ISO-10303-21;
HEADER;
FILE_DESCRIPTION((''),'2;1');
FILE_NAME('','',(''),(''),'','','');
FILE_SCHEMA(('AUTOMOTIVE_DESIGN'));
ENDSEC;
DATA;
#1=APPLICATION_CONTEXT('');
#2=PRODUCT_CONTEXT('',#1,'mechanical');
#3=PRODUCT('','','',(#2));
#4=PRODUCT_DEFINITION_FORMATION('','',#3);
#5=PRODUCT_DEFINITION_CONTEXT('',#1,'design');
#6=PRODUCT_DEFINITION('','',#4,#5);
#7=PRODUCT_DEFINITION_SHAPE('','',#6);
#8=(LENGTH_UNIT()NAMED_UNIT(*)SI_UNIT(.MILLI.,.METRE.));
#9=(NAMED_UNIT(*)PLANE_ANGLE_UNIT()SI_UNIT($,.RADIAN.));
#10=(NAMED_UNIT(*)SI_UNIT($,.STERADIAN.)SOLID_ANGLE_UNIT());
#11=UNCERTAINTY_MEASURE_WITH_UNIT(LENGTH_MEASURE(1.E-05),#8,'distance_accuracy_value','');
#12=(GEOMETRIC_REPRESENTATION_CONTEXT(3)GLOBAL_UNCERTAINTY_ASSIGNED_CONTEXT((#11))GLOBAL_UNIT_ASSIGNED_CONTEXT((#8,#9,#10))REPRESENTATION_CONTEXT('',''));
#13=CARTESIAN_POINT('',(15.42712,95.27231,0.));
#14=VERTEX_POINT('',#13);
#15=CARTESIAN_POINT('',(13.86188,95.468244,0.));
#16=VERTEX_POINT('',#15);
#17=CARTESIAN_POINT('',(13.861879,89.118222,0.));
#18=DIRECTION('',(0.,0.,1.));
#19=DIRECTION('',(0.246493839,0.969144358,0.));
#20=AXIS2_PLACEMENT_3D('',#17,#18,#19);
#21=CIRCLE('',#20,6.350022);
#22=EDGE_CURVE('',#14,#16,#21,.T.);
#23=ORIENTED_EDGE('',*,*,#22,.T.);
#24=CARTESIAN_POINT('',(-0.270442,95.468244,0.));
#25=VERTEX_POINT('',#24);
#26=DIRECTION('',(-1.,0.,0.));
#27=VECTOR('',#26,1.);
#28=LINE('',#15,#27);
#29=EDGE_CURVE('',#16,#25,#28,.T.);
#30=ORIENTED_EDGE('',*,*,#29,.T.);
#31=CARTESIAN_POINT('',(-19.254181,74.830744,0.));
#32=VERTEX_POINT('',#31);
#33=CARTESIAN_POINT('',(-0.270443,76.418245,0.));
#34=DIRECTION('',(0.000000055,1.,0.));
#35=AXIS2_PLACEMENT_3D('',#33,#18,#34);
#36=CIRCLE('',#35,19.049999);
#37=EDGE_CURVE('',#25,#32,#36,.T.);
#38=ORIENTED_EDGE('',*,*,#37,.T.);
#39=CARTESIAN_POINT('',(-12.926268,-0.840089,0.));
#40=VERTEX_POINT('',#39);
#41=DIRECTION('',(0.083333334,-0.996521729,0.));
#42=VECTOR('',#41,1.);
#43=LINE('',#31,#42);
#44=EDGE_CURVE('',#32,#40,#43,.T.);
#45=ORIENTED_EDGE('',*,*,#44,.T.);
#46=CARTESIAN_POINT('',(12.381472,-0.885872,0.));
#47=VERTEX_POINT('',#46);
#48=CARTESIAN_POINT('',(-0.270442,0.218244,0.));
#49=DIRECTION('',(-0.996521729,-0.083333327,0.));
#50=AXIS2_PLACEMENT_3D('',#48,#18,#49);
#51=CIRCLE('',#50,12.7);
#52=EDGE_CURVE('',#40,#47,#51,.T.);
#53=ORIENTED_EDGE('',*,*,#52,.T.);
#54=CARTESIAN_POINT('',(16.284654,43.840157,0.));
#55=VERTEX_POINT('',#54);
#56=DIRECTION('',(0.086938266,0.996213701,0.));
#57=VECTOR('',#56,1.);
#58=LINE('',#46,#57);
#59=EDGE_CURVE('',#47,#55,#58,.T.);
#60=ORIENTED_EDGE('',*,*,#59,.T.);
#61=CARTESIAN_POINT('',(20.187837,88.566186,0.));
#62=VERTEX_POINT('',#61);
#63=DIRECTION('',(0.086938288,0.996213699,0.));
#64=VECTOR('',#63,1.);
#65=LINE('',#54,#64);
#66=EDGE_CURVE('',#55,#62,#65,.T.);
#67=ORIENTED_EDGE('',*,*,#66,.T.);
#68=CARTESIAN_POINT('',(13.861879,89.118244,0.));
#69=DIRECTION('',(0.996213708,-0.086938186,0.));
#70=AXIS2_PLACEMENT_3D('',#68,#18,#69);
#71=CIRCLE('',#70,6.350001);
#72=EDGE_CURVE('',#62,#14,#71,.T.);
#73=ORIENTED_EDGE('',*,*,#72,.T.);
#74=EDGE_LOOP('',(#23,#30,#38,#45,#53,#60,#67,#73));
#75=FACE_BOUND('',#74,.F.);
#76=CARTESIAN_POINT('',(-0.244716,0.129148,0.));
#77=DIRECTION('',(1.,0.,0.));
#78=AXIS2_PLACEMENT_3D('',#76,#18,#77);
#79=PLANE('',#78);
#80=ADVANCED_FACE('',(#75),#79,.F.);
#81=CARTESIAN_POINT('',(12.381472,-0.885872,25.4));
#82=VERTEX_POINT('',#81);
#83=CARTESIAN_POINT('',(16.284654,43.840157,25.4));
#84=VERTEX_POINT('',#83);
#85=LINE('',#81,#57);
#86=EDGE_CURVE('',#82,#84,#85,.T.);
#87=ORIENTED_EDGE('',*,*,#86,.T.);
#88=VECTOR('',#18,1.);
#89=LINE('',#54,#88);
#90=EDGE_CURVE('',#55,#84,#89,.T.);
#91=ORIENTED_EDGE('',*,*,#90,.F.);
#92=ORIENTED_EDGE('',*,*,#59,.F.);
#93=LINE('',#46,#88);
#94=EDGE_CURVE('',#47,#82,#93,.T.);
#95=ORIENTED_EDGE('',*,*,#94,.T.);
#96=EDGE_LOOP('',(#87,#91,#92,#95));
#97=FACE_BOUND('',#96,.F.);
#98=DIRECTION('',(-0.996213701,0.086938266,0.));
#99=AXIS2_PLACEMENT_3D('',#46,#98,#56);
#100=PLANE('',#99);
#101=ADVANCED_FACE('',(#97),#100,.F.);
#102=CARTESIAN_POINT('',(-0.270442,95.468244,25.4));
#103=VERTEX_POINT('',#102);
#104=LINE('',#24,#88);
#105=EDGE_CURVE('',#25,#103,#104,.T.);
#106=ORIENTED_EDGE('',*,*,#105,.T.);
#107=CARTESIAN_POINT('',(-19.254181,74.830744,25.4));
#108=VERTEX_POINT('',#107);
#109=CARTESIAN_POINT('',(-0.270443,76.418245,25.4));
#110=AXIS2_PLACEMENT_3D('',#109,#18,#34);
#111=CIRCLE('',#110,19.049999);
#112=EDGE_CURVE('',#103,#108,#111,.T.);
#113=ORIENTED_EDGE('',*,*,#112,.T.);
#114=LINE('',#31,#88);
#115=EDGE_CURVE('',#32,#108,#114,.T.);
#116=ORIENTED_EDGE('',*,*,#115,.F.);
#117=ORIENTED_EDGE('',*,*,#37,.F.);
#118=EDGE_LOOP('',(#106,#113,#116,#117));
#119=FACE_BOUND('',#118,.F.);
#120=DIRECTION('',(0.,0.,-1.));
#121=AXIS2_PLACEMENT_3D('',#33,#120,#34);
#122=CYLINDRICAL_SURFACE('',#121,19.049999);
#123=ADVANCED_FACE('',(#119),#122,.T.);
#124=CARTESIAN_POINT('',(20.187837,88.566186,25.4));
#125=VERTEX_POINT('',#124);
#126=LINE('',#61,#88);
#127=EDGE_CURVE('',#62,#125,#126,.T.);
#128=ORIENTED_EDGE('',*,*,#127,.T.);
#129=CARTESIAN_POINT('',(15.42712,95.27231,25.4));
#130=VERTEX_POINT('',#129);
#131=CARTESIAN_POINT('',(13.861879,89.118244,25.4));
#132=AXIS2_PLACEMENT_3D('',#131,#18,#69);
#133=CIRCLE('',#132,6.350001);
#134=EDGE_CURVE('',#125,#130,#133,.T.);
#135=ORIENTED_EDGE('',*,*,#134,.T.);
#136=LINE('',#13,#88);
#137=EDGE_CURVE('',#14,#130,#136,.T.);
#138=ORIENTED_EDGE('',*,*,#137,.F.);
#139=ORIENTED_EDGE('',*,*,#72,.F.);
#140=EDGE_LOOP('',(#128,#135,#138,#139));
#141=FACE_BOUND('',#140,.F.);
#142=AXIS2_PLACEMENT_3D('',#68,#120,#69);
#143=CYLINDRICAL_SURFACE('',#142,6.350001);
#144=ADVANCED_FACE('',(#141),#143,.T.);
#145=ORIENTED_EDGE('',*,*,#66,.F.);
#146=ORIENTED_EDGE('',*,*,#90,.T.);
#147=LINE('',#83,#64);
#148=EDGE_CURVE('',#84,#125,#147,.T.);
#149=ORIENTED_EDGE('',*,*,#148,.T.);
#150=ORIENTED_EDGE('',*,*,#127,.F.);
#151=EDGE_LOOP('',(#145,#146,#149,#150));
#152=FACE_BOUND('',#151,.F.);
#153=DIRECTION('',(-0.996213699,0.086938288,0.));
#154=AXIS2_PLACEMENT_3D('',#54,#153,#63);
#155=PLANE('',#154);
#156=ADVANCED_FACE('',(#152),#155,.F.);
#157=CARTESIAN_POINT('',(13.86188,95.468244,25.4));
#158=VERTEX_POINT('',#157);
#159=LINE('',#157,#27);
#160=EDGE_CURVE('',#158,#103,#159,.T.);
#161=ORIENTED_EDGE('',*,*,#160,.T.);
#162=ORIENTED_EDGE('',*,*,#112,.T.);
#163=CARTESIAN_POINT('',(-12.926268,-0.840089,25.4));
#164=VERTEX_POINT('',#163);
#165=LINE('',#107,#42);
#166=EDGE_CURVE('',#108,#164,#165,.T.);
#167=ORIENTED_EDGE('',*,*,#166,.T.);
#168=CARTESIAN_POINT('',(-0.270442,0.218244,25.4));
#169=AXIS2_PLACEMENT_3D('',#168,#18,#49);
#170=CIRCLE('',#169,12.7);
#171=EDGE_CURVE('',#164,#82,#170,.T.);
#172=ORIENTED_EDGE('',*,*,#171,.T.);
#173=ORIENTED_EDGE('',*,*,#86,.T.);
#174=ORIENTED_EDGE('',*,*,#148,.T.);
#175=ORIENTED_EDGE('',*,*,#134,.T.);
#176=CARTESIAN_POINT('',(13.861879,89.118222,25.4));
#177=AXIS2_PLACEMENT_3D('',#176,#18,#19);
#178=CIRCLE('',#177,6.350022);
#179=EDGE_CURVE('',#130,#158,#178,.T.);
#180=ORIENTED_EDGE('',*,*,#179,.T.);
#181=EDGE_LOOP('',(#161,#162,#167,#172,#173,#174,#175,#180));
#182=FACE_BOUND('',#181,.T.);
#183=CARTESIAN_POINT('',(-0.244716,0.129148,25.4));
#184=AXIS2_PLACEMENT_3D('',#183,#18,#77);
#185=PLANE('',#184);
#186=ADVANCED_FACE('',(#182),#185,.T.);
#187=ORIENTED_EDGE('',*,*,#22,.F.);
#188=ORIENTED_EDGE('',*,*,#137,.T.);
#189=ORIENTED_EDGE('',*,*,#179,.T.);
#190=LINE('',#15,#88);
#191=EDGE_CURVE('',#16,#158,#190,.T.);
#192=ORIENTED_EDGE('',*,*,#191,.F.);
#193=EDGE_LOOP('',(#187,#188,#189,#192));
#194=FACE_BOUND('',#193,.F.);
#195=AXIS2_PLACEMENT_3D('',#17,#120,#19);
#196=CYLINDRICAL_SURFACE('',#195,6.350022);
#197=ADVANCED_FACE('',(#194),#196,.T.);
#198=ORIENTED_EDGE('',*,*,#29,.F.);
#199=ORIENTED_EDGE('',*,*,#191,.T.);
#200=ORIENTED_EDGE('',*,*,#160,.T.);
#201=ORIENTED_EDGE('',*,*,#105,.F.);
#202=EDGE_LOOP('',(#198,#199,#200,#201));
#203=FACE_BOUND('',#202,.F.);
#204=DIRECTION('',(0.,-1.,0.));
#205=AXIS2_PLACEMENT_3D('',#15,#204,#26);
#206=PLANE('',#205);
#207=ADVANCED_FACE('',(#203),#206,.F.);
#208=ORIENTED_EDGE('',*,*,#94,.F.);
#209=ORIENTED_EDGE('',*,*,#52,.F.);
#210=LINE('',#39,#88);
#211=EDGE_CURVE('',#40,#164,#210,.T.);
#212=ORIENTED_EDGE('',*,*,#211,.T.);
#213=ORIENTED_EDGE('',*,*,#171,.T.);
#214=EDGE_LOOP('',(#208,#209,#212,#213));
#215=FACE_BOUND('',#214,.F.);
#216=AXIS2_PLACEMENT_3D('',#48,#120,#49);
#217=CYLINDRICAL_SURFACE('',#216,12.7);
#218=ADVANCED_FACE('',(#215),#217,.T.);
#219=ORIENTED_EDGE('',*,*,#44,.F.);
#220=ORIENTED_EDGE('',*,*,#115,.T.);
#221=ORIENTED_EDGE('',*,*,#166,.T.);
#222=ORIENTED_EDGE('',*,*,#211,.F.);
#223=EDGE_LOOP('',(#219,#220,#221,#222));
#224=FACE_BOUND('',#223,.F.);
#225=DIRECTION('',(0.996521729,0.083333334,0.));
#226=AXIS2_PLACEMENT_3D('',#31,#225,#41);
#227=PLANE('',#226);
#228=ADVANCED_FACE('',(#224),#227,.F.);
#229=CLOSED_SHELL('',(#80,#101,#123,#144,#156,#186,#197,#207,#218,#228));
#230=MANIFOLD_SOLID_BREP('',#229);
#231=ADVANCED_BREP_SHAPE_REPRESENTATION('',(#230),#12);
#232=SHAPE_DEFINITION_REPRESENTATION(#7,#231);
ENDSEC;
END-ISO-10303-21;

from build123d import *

# Parameters (mm, degrees)
F1_DEPTH = 25.4


with BuildPart() as f1:
    # F0 (on Top) → F1 (new body)
    with BuildSketch(Plane.XY):
        with BuildLine():
            ThreePointArc((12.381472, -0.885872), (12.417531, -0.334337), (12.429558, 0.218244))
            ThreePointArc((12.429558, 0.218244), (-0.80007, 12.907196), (-12.926268, -0.840089))
            ThreePointArc((-12.926268, -0.840089), (-0.293417, -12.481735), (12.381472, -0.885872))
        make_face()
        with BuildLine():
            ThreePointArc((-12.926268, -0.840089), (-0.80007, 12.907196), (12.429558, 0.218244))
            ThreePointArc((12.429558, 0.218244), (12.417531, -0.334337), (12.381472, -0.885872))
            Line((12.381472, -0.885872), (16.284654, 43.840157))
            ThreePointArc((16.284654, 43.840157), (12.950115, 45.454556), (11.781472, 48.970194))
            Line((11.781472, 48.970194), (15.42712, 95.27231))
            ThreePointArc((15.42712, 95.27231), (14.650608, 95.41907), (13.86188, 95.468244))
            Line((13.86188, 95.468244), (-0.270442, 95.468244))
            ThreePointArc((-0.270442, 95.468244), (-14.290863, 89.315155), (-19.254181, 74.830744))
            Line((-19.254181, 74.830744), (-12.926268, -0.840089))
        make_face()
        with BuildLine():
            ThreePointArc((11.781472, 48.970194), (12.950115, 45.454556), (16.284654, 43.840157))
            Line((16.284654, 43.840157), (20.187837, 88.566186))
            ThreePointArc((20.187837, 88.566186), (19.039792, 92.794074), (15.42712, 95.27231))
            Line((15.42712, 95.27231), (11.781472, 48.970194))
        make_face()
    extrude(amount=F1_DEPTH)


solid = f1.part
